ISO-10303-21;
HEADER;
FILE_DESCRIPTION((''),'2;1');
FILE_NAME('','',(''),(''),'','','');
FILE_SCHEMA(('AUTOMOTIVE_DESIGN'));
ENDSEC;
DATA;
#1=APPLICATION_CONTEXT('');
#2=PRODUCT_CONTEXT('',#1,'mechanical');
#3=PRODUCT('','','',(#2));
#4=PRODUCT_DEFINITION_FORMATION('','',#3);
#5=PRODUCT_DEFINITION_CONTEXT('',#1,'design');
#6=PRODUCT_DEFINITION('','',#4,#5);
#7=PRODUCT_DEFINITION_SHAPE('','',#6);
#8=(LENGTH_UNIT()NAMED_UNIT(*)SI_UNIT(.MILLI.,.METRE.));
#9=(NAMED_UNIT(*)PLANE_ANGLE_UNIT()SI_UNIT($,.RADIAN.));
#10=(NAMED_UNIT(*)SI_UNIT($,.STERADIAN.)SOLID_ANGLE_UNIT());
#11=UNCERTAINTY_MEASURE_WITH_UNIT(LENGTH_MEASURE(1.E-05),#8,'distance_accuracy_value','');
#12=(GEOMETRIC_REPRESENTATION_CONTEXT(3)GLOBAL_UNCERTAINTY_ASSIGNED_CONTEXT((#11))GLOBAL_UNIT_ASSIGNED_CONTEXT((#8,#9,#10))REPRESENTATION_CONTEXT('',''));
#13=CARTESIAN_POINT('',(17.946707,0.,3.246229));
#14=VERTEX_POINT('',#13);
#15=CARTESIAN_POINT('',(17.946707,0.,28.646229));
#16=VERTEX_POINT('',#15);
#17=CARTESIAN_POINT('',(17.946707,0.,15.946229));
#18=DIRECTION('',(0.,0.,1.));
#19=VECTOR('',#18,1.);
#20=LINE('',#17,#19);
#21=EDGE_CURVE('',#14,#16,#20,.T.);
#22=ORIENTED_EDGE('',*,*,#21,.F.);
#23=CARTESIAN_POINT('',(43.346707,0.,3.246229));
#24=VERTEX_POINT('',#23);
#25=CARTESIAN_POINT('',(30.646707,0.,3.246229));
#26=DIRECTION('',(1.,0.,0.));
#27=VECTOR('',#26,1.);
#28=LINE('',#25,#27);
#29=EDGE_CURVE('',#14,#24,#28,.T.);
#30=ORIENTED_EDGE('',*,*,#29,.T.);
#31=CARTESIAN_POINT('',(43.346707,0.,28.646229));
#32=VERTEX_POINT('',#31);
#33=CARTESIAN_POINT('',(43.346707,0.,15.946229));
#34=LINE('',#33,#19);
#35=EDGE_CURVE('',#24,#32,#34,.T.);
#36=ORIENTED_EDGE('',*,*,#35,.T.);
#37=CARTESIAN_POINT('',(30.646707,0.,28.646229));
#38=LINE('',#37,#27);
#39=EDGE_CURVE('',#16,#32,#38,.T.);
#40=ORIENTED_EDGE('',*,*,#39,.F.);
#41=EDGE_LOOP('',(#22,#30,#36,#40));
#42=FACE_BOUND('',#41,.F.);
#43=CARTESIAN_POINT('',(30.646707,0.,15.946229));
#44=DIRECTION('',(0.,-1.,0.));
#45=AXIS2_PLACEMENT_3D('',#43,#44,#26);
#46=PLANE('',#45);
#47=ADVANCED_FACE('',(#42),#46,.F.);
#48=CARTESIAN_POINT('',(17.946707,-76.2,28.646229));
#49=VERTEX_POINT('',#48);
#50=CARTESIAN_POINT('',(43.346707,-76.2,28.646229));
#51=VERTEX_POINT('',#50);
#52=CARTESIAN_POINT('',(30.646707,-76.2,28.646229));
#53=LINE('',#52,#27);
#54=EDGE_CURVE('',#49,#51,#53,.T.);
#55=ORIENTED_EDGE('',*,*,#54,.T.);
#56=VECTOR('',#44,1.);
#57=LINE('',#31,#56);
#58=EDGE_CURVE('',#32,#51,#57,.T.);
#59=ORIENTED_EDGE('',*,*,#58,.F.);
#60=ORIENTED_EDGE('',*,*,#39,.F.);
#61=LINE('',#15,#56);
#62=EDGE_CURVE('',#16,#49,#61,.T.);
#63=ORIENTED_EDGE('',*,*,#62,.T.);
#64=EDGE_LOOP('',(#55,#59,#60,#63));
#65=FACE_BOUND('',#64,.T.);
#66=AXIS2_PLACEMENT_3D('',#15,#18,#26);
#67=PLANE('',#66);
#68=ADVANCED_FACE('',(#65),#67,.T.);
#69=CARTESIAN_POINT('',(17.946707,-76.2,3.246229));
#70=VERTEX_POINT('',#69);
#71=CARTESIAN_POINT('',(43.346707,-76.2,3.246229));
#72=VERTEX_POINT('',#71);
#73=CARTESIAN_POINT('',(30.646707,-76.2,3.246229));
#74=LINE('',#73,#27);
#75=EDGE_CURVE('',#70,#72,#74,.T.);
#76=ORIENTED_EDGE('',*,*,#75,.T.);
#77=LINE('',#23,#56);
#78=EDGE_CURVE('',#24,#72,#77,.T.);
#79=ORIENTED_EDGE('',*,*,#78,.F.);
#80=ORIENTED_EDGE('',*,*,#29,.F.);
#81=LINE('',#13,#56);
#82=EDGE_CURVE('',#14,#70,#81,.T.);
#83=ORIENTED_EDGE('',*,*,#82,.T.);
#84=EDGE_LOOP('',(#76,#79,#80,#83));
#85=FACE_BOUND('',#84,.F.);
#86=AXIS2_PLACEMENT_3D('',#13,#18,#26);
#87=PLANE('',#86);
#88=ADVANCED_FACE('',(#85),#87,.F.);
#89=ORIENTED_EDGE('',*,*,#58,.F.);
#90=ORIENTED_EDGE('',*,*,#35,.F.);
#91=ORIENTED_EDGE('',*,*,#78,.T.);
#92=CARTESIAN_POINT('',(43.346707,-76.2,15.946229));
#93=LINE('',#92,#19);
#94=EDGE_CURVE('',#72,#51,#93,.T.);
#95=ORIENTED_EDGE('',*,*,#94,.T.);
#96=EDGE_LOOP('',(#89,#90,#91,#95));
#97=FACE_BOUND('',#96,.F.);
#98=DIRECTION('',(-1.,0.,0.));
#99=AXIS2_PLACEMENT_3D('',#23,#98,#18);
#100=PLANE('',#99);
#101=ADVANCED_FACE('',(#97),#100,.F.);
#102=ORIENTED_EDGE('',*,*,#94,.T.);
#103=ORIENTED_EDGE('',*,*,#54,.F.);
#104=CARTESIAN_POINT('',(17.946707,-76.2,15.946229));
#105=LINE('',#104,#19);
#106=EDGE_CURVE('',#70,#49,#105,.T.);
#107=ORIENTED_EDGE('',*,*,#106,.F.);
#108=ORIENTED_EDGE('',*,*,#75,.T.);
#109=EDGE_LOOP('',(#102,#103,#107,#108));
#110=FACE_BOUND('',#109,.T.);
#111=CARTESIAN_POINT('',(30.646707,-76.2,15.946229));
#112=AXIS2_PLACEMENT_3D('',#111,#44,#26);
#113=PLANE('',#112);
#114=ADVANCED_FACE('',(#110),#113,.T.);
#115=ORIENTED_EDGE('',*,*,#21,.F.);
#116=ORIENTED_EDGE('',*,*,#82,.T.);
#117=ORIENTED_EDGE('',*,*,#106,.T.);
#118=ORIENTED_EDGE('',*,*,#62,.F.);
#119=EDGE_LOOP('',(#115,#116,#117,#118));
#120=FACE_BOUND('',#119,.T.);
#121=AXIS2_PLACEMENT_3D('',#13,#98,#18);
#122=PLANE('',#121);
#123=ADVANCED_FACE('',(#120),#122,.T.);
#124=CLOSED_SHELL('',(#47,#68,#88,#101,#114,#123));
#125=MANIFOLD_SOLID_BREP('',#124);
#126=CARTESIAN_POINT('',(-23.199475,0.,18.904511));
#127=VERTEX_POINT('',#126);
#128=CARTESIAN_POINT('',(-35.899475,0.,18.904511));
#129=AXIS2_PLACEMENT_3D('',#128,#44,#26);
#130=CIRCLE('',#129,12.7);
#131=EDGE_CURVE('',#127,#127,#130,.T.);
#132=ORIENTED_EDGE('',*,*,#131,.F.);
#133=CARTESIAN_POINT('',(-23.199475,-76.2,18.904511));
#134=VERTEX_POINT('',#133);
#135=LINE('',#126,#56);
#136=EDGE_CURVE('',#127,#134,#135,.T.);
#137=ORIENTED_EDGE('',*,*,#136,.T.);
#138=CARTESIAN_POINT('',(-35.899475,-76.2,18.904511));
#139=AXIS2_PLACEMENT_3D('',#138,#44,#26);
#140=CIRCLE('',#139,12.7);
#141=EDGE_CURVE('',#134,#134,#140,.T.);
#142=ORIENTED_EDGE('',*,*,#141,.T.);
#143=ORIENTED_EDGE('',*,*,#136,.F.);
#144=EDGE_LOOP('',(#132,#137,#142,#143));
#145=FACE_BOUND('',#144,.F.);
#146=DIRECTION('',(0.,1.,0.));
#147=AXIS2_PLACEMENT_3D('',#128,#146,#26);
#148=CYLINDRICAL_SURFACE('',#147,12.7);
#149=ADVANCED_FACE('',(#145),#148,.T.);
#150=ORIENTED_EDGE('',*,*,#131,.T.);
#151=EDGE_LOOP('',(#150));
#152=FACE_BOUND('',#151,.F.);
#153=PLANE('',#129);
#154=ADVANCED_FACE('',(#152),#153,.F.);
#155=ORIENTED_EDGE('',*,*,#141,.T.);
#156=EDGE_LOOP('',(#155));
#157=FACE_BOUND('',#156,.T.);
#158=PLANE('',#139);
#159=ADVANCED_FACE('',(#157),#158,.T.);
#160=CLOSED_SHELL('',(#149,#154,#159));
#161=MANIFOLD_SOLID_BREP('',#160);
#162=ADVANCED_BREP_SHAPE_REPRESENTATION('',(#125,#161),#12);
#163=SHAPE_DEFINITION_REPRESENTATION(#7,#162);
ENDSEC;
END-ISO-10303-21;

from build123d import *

# Parameters (mm, degrees)
F0_R     = 12.7
F0_W     = 25.4
F0_H     = 25.4
F1_DEPTH = 76.2


with BuildPart() as f1:
    # F0 (on Front) → F1 (new body)
    with BuildSketch(Plane.XZ):
        with Locations((-35.899475, 18.904511)):
            Circle(F0_R)
        with Locations((30.646707, 15.946229)):
            Rectangle(F0_W, F0_H)
    extrude(amount=F1_DEPTH)


solid = f1.part
